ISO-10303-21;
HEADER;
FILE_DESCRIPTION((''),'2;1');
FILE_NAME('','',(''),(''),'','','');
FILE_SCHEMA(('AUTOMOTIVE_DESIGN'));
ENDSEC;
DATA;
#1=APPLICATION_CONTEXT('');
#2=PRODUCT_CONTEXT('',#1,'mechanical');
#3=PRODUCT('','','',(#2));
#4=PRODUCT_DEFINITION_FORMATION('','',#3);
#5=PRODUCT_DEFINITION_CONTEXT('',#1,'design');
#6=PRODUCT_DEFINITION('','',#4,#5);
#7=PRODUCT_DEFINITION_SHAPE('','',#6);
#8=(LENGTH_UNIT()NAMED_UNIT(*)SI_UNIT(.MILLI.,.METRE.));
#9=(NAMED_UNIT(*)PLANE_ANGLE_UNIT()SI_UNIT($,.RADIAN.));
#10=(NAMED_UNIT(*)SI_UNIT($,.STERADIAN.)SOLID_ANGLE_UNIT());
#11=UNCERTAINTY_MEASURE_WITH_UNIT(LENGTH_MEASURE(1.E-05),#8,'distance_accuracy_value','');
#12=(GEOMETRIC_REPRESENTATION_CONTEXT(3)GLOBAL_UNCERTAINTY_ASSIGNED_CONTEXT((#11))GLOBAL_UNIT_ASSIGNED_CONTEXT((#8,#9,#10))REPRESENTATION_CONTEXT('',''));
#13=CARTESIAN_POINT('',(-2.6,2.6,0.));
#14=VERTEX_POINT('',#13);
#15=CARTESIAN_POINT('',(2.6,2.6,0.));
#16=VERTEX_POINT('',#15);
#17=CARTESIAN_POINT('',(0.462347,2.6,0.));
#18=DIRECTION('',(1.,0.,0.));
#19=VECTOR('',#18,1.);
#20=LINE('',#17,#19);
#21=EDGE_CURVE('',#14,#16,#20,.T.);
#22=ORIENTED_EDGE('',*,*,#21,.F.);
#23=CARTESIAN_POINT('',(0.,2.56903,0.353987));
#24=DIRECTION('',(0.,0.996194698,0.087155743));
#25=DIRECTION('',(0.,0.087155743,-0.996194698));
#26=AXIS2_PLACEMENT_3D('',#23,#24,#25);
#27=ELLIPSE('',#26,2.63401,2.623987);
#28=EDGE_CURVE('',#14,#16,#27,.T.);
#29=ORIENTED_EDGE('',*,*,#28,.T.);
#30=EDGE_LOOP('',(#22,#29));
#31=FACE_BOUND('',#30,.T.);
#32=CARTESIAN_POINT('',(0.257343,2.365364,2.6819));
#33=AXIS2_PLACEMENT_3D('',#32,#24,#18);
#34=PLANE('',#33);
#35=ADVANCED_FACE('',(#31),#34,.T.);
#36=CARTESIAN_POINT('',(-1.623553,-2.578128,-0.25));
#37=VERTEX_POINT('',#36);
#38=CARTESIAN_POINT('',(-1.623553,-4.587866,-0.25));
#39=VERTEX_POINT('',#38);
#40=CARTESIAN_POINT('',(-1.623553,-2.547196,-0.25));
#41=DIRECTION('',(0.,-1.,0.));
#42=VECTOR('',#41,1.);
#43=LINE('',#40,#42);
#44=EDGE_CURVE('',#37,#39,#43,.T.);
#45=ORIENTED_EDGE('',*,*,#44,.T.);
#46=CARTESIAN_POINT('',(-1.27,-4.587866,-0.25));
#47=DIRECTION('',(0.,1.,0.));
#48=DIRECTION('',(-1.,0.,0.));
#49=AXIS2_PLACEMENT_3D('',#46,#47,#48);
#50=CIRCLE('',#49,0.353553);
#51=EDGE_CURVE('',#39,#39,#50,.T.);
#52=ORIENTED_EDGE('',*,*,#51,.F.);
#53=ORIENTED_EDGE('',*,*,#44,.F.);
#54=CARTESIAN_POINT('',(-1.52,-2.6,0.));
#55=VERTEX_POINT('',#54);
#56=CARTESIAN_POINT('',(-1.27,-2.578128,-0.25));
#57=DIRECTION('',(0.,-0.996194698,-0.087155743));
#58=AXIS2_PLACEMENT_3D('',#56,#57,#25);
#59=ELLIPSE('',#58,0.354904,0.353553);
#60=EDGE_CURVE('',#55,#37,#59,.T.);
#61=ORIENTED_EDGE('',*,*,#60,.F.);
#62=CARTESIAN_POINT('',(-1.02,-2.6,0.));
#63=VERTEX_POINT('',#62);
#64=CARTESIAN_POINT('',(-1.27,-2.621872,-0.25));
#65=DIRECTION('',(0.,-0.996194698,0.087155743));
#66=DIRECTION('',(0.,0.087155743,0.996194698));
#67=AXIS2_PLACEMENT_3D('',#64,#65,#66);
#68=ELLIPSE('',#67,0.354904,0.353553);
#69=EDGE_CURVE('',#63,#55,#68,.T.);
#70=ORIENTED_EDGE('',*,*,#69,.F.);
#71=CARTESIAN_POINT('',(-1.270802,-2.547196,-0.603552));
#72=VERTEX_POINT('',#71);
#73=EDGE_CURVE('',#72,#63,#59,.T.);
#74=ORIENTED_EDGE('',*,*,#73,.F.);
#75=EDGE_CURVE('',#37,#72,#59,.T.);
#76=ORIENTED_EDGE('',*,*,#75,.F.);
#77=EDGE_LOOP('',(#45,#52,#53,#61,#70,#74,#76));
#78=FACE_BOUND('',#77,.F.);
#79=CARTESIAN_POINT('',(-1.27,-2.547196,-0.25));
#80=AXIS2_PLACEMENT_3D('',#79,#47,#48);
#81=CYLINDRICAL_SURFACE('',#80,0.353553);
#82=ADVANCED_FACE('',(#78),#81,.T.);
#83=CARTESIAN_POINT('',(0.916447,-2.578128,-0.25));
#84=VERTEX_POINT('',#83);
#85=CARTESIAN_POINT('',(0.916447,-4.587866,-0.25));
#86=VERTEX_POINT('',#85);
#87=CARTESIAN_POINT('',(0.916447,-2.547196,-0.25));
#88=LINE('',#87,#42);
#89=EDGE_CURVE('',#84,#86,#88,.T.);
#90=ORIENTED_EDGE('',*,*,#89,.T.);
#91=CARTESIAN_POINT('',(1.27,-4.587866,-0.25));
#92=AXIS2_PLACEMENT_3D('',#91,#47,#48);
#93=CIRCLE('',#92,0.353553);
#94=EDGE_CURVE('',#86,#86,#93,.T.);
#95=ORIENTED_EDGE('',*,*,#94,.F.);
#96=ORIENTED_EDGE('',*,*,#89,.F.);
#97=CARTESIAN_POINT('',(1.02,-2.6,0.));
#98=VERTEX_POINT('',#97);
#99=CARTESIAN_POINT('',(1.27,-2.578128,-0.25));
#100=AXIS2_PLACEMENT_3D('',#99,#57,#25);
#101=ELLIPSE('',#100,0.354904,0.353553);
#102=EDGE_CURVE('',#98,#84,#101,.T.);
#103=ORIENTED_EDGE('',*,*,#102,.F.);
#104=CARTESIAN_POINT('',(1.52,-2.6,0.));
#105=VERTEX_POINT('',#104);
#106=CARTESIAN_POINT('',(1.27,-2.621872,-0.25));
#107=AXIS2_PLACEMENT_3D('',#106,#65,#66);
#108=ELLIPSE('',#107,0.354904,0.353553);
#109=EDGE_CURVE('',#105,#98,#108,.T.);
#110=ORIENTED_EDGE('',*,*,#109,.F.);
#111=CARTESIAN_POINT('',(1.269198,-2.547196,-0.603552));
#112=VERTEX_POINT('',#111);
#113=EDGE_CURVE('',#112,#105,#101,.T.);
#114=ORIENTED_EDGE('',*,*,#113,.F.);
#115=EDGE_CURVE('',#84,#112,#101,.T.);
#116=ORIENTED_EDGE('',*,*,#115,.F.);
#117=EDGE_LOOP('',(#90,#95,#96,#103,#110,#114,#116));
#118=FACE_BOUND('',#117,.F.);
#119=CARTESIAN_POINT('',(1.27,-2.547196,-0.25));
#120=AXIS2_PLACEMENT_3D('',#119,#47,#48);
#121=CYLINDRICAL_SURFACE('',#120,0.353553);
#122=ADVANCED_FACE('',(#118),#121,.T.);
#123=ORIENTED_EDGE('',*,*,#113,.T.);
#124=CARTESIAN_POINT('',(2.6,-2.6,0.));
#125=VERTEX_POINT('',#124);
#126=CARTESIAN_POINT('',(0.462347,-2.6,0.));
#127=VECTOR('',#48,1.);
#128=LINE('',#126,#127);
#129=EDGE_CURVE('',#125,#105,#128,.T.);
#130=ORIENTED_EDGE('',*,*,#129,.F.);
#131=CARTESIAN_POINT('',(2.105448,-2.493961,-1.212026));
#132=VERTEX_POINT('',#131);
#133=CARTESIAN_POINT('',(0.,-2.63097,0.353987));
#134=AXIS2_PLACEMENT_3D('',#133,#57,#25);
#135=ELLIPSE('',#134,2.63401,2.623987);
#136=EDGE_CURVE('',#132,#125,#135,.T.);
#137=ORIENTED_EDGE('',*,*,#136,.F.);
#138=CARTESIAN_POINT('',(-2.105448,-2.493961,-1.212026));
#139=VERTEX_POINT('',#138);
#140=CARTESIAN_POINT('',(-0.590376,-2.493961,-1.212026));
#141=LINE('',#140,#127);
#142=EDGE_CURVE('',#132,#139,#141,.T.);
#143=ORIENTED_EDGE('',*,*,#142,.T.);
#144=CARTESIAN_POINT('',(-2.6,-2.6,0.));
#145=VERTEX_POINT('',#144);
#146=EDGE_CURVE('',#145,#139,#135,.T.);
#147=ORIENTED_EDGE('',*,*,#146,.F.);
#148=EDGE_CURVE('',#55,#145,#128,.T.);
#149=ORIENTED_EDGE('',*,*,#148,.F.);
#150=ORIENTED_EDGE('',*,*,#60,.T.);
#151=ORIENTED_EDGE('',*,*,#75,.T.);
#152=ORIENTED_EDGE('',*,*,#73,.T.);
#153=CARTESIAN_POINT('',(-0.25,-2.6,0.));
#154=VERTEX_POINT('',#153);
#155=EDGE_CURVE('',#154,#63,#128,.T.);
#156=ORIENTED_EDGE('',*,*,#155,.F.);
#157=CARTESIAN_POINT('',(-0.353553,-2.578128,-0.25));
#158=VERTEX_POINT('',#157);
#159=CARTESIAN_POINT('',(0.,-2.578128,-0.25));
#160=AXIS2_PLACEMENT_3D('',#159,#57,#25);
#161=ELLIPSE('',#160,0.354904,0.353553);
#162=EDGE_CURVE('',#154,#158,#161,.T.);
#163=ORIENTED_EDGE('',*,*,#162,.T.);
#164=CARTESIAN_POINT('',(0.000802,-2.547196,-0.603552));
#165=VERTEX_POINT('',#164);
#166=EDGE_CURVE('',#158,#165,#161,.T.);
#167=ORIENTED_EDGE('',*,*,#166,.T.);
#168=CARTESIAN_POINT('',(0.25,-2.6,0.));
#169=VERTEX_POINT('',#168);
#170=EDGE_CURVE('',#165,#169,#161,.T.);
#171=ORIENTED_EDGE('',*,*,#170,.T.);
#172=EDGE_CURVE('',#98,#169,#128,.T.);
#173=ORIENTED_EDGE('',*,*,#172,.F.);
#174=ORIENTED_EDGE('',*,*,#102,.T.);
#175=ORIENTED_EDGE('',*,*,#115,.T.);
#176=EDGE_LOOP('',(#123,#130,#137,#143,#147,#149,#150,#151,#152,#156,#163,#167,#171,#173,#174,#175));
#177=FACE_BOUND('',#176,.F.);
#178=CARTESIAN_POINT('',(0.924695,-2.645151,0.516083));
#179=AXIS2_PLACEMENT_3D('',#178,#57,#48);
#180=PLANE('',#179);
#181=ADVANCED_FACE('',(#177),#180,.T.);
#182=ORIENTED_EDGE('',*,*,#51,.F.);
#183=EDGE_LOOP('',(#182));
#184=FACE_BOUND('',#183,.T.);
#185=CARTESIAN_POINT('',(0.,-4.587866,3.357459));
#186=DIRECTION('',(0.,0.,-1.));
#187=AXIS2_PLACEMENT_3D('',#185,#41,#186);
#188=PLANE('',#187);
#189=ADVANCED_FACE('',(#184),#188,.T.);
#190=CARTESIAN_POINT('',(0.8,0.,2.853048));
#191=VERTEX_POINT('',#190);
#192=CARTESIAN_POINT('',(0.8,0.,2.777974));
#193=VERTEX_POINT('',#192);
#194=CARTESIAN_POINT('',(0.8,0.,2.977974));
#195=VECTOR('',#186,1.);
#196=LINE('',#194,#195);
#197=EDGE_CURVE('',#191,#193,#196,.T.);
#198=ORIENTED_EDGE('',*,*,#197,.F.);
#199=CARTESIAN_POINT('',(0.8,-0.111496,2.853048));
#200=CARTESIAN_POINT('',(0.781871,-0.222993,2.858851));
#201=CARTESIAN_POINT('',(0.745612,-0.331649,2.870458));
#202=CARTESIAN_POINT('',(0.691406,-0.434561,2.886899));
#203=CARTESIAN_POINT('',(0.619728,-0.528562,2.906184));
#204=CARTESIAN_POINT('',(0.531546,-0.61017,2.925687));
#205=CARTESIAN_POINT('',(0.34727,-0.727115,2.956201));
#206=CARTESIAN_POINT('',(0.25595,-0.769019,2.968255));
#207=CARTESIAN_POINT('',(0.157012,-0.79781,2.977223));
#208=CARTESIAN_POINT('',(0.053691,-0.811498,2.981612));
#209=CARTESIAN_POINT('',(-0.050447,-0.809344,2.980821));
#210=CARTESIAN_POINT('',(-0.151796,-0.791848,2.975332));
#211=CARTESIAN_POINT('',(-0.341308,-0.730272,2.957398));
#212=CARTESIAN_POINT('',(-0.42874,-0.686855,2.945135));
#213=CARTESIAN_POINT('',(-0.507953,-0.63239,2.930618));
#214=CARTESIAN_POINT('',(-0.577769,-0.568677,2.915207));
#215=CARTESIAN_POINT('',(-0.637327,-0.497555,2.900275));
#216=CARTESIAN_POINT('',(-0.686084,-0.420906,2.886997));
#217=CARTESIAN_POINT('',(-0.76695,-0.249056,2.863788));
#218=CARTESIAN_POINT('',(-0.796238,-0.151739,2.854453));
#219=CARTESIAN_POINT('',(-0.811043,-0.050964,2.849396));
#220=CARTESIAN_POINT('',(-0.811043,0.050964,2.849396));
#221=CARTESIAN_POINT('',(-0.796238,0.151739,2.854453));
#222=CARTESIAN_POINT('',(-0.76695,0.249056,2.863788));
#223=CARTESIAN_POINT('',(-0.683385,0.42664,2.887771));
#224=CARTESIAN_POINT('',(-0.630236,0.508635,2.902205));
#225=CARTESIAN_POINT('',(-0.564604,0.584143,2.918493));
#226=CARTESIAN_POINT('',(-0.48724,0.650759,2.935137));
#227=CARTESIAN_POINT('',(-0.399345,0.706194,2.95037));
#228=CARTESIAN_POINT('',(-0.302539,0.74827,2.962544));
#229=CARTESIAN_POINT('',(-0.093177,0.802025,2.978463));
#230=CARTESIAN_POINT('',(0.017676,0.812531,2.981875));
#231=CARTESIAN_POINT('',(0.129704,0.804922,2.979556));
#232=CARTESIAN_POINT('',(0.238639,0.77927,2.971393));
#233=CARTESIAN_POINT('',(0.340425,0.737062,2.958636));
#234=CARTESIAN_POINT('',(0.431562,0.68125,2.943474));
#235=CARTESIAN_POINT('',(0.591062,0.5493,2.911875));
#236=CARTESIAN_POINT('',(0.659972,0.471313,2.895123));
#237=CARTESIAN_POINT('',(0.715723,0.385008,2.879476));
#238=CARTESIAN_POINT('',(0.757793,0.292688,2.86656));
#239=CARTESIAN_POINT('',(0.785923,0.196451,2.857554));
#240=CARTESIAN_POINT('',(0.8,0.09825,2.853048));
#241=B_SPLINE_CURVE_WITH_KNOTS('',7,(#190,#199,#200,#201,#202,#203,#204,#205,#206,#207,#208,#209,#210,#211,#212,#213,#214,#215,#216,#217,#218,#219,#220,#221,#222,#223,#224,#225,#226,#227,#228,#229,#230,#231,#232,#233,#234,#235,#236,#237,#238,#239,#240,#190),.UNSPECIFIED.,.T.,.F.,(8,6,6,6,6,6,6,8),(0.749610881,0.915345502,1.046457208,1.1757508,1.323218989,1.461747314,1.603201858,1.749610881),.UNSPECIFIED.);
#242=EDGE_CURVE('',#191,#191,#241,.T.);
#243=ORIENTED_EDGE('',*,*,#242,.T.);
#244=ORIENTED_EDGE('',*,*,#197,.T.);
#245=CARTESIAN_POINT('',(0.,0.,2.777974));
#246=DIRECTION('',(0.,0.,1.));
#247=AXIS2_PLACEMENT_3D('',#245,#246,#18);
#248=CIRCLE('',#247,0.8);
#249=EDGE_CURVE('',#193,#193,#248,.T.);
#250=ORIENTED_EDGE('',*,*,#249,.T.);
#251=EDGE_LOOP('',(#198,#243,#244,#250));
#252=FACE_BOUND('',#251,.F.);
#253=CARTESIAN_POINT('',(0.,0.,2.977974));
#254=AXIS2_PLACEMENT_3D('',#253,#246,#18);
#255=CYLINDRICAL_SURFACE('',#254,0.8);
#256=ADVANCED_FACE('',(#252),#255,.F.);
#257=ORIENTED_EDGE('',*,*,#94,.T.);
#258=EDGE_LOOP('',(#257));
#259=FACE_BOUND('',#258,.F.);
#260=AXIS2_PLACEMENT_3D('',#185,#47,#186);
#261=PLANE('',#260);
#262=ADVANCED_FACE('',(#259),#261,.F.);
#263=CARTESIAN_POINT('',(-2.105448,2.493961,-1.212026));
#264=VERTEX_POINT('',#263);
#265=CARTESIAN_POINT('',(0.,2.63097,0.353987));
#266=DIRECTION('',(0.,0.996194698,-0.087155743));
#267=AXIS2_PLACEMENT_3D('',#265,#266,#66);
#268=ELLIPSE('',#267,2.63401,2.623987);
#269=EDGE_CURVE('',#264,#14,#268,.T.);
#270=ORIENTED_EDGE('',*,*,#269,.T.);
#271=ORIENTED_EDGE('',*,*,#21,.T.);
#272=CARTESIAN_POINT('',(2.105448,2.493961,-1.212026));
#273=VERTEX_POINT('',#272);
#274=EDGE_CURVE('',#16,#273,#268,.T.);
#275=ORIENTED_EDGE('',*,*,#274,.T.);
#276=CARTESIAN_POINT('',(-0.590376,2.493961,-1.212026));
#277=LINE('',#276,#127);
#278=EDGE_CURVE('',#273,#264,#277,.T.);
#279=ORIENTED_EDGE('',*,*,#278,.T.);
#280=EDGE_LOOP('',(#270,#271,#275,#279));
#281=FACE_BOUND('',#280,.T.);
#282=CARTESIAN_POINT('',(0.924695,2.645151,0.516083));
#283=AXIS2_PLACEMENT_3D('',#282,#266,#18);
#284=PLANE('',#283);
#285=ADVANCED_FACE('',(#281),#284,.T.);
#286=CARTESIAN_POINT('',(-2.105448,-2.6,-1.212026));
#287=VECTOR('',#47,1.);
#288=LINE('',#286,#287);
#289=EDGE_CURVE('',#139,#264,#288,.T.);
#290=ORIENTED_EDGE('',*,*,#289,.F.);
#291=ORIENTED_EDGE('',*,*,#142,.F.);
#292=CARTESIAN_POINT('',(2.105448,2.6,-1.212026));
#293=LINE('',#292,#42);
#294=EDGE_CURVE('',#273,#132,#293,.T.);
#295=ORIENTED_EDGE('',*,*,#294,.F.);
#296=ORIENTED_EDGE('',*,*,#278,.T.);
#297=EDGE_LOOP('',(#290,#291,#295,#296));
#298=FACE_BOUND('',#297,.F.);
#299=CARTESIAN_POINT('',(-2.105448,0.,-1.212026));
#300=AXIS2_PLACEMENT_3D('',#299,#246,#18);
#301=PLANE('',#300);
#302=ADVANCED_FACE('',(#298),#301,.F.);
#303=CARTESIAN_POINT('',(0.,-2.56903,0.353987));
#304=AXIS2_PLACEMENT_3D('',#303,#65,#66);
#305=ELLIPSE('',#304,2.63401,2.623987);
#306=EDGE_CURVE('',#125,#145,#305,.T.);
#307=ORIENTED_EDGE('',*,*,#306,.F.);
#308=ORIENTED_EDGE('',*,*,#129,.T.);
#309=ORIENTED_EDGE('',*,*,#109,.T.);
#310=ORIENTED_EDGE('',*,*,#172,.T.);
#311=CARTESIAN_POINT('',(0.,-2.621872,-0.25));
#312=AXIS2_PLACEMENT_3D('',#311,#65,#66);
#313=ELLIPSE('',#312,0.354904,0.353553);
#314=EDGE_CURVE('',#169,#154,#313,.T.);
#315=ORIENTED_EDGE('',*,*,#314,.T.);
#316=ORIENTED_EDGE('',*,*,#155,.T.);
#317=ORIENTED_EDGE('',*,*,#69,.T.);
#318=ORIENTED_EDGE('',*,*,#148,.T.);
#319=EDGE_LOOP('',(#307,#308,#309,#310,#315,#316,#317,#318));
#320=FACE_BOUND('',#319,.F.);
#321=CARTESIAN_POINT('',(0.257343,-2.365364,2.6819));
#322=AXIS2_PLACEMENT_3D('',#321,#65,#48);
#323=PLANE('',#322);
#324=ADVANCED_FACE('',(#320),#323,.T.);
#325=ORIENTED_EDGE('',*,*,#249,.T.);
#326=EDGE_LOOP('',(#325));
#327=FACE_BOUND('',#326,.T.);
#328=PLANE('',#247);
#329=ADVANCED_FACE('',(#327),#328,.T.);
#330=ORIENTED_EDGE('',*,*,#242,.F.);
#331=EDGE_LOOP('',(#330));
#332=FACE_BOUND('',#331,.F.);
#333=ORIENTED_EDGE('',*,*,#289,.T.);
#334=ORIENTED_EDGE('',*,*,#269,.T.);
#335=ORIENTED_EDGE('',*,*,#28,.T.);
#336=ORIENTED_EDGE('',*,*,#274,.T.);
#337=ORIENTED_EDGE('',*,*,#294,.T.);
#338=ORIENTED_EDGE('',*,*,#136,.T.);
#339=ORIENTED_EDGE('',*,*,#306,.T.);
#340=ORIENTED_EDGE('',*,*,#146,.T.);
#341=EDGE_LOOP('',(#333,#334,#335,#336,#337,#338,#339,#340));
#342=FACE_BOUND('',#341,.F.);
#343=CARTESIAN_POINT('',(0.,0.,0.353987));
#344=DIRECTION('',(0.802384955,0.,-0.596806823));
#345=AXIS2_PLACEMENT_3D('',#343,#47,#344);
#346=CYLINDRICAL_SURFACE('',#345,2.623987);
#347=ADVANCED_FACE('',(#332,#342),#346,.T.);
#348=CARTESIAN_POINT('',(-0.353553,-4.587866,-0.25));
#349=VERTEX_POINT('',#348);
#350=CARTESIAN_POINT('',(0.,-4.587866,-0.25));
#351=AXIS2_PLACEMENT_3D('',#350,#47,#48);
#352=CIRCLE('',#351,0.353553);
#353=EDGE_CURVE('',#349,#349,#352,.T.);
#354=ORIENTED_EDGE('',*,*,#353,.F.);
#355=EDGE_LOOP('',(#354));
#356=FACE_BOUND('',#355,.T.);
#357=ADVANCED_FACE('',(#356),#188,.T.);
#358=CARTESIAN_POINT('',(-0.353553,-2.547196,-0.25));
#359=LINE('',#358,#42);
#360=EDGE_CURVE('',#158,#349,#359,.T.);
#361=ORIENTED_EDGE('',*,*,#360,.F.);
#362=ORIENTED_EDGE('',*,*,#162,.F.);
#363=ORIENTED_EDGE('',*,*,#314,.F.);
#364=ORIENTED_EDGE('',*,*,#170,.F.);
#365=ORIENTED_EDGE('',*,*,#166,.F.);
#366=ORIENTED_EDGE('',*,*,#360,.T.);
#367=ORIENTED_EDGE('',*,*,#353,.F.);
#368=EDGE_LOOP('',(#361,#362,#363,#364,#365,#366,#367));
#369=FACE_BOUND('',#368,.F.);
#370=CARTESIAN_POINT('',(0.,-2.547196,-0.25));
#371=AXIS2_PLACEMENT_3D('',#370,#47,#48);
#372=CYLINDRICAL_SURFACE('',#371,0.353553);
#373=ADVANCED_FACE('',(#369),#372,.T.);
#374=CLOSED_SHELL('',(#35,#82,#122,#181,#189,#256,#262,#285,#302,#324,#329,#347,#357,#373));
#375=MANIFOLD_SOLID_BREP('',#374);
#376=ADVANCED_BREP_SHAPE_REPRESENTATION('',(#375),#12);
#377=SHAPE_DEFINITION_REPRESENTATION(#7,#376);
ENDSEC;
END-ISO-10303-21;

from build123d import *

# Parameters (mm, degrees)
BOSS_EXTRUDE1_DEPTH        = 2.6
SKETCH5_W                  = 11.826356456
SKETCH5_H                  = 5.621169426
CUT_EXTRUDE2_DEPTH         = 1.105635064
SKETCH6_W                  = 11.690711404
SKETCH6_H                  = 7.254613366
CUT_EXTRUDE3_DEPTH         = 5.2
BOSS_EXTRUDE2_START        = -0.052804
SKETCH7_R                  = 0.353553391
BOSS_EXTRUDE2_DEPTH        = 12.752804
SKETCH8_R                  = 0.8
CUT_EXTRUDE4_DEPTH         = 0.2
CROQUIS1_W                 = 6.923561314
CROQUIS1_H                 = 11.497610845
CORTAR_EXTRUIR1_DEPTH      = 5
CORTAR_EXTRUIR1_DEPTH_BACK = 5


with BuildPart() as part:
    # Sketch2 → Boss-Extrude1 (new body, symmetric)
    with BuildSketch(Plane(origin=(0, 0, 0), x_dir=(1, 0, 0), z_dir=(0, 1, 0))):
        with BuildLine():
            Line((-2.105447518, 1.212026432), (2.105447518, 1.212026432))
            ThreePointArc((2.105447518, 1.212026432), (0, -2.977973568), (-2.105447518, 1.212026432))
        make_face()
    extrude(amount=BOSS_EXTRUDE1_DEPTH, both=True)

    # Sketch5 → Cut-Extrude2 (cut, through all)
    with BuildSketch(Plane(origin=(0, 2.580250079, -0.225742631), x_dir=(1, 0, 0), z_dir=(0, 0.996194698, -0.087155743))):
        with Locations((0.924694538, -0.744658901)):
            Rectangle(SKETCH5_W, SKETCH5_H)
    cut_extrude2 = extrude(amount=CUT_EXTRUDE2_DEPTH, mode=Mode.SUBTRACT)

    # Sketch6 → Cut-Extrude3 (cut)
    with BuildSketch(Plane(origin=(0, 2.580250079, 0.225742631), x_dir=(1, 0, 0), z_dir=(0, 0.996194698, 0.087155743))):
        with Locations((0.257342704, -2.465539164)):
            Rectangle(SKETCH6_W, SKETCH6_H)
    cut_extrude3 = extrude(amount=CUT_EXTRUDE3_DEPTH, mode=Mode.SUBTRACT)

    # Mirror1: Cut-Extrude2, Cut-Extrude3 across plane
    add(cut_extrude2.mirror(Plane.ZX), mode=Mode.SUBTRACT)
    add(cut_extrude3.mirror(Plane.ZX), mode=Mode.SUBTRACT)

    # Sketch7 → Boss-Extrude2 (add)
    with BuildSketch(Plane(origin=(0, -2.6, 0), x_dir=(-1, 0, 0), z_dir=(0, -1, 0)).offset(BOSS_EXTRUDE2_START)):
        with Locations((-1.27, 0.25)):
            Circle(SKETCH7_R)
        with Locations((0, 0.25)):
            Circle(SKETCH7_R)
        with Locations((1.27, 0.25)):
            Circle(SKETCH7_R)
    extrude(amount=BOSS_EXTRUDE2_DEPTH)

    # Sketch8 → Cut-Extrude4 (cut)
    with BuildSketch(Plane.XY.offset(2.977973568)):
        Circle(SKETCH8_R)
    extrude(amount=-CUT_EXTRUDE4_DEPTH, mode=Mode.SUBTRACT)

    # Croquis1 → Cortar-Extruir1 (cut, two sides)
    with BuildSketch(Plane(origin=(0, 0, 0), x_dir=(0, 0, -1), z_dir=(1, 0, 0))) as cortar_extruir1_sk:
        with Locations((0.104321276, -10.336671587)):
            Rectangle(CROQUIS1_W, CROQUIS1_H)
    extrude(amount=CORTAR_EXTRUIR1_DEPTH, mode=Mode.SUBTRACT)
    extrude(cortar_extruir1_sk.sketch, amount=-CORTAR_EXTRUIR1_DEPTH_BACK, mode=Mode.SUBTRACT)


solid = part.part
